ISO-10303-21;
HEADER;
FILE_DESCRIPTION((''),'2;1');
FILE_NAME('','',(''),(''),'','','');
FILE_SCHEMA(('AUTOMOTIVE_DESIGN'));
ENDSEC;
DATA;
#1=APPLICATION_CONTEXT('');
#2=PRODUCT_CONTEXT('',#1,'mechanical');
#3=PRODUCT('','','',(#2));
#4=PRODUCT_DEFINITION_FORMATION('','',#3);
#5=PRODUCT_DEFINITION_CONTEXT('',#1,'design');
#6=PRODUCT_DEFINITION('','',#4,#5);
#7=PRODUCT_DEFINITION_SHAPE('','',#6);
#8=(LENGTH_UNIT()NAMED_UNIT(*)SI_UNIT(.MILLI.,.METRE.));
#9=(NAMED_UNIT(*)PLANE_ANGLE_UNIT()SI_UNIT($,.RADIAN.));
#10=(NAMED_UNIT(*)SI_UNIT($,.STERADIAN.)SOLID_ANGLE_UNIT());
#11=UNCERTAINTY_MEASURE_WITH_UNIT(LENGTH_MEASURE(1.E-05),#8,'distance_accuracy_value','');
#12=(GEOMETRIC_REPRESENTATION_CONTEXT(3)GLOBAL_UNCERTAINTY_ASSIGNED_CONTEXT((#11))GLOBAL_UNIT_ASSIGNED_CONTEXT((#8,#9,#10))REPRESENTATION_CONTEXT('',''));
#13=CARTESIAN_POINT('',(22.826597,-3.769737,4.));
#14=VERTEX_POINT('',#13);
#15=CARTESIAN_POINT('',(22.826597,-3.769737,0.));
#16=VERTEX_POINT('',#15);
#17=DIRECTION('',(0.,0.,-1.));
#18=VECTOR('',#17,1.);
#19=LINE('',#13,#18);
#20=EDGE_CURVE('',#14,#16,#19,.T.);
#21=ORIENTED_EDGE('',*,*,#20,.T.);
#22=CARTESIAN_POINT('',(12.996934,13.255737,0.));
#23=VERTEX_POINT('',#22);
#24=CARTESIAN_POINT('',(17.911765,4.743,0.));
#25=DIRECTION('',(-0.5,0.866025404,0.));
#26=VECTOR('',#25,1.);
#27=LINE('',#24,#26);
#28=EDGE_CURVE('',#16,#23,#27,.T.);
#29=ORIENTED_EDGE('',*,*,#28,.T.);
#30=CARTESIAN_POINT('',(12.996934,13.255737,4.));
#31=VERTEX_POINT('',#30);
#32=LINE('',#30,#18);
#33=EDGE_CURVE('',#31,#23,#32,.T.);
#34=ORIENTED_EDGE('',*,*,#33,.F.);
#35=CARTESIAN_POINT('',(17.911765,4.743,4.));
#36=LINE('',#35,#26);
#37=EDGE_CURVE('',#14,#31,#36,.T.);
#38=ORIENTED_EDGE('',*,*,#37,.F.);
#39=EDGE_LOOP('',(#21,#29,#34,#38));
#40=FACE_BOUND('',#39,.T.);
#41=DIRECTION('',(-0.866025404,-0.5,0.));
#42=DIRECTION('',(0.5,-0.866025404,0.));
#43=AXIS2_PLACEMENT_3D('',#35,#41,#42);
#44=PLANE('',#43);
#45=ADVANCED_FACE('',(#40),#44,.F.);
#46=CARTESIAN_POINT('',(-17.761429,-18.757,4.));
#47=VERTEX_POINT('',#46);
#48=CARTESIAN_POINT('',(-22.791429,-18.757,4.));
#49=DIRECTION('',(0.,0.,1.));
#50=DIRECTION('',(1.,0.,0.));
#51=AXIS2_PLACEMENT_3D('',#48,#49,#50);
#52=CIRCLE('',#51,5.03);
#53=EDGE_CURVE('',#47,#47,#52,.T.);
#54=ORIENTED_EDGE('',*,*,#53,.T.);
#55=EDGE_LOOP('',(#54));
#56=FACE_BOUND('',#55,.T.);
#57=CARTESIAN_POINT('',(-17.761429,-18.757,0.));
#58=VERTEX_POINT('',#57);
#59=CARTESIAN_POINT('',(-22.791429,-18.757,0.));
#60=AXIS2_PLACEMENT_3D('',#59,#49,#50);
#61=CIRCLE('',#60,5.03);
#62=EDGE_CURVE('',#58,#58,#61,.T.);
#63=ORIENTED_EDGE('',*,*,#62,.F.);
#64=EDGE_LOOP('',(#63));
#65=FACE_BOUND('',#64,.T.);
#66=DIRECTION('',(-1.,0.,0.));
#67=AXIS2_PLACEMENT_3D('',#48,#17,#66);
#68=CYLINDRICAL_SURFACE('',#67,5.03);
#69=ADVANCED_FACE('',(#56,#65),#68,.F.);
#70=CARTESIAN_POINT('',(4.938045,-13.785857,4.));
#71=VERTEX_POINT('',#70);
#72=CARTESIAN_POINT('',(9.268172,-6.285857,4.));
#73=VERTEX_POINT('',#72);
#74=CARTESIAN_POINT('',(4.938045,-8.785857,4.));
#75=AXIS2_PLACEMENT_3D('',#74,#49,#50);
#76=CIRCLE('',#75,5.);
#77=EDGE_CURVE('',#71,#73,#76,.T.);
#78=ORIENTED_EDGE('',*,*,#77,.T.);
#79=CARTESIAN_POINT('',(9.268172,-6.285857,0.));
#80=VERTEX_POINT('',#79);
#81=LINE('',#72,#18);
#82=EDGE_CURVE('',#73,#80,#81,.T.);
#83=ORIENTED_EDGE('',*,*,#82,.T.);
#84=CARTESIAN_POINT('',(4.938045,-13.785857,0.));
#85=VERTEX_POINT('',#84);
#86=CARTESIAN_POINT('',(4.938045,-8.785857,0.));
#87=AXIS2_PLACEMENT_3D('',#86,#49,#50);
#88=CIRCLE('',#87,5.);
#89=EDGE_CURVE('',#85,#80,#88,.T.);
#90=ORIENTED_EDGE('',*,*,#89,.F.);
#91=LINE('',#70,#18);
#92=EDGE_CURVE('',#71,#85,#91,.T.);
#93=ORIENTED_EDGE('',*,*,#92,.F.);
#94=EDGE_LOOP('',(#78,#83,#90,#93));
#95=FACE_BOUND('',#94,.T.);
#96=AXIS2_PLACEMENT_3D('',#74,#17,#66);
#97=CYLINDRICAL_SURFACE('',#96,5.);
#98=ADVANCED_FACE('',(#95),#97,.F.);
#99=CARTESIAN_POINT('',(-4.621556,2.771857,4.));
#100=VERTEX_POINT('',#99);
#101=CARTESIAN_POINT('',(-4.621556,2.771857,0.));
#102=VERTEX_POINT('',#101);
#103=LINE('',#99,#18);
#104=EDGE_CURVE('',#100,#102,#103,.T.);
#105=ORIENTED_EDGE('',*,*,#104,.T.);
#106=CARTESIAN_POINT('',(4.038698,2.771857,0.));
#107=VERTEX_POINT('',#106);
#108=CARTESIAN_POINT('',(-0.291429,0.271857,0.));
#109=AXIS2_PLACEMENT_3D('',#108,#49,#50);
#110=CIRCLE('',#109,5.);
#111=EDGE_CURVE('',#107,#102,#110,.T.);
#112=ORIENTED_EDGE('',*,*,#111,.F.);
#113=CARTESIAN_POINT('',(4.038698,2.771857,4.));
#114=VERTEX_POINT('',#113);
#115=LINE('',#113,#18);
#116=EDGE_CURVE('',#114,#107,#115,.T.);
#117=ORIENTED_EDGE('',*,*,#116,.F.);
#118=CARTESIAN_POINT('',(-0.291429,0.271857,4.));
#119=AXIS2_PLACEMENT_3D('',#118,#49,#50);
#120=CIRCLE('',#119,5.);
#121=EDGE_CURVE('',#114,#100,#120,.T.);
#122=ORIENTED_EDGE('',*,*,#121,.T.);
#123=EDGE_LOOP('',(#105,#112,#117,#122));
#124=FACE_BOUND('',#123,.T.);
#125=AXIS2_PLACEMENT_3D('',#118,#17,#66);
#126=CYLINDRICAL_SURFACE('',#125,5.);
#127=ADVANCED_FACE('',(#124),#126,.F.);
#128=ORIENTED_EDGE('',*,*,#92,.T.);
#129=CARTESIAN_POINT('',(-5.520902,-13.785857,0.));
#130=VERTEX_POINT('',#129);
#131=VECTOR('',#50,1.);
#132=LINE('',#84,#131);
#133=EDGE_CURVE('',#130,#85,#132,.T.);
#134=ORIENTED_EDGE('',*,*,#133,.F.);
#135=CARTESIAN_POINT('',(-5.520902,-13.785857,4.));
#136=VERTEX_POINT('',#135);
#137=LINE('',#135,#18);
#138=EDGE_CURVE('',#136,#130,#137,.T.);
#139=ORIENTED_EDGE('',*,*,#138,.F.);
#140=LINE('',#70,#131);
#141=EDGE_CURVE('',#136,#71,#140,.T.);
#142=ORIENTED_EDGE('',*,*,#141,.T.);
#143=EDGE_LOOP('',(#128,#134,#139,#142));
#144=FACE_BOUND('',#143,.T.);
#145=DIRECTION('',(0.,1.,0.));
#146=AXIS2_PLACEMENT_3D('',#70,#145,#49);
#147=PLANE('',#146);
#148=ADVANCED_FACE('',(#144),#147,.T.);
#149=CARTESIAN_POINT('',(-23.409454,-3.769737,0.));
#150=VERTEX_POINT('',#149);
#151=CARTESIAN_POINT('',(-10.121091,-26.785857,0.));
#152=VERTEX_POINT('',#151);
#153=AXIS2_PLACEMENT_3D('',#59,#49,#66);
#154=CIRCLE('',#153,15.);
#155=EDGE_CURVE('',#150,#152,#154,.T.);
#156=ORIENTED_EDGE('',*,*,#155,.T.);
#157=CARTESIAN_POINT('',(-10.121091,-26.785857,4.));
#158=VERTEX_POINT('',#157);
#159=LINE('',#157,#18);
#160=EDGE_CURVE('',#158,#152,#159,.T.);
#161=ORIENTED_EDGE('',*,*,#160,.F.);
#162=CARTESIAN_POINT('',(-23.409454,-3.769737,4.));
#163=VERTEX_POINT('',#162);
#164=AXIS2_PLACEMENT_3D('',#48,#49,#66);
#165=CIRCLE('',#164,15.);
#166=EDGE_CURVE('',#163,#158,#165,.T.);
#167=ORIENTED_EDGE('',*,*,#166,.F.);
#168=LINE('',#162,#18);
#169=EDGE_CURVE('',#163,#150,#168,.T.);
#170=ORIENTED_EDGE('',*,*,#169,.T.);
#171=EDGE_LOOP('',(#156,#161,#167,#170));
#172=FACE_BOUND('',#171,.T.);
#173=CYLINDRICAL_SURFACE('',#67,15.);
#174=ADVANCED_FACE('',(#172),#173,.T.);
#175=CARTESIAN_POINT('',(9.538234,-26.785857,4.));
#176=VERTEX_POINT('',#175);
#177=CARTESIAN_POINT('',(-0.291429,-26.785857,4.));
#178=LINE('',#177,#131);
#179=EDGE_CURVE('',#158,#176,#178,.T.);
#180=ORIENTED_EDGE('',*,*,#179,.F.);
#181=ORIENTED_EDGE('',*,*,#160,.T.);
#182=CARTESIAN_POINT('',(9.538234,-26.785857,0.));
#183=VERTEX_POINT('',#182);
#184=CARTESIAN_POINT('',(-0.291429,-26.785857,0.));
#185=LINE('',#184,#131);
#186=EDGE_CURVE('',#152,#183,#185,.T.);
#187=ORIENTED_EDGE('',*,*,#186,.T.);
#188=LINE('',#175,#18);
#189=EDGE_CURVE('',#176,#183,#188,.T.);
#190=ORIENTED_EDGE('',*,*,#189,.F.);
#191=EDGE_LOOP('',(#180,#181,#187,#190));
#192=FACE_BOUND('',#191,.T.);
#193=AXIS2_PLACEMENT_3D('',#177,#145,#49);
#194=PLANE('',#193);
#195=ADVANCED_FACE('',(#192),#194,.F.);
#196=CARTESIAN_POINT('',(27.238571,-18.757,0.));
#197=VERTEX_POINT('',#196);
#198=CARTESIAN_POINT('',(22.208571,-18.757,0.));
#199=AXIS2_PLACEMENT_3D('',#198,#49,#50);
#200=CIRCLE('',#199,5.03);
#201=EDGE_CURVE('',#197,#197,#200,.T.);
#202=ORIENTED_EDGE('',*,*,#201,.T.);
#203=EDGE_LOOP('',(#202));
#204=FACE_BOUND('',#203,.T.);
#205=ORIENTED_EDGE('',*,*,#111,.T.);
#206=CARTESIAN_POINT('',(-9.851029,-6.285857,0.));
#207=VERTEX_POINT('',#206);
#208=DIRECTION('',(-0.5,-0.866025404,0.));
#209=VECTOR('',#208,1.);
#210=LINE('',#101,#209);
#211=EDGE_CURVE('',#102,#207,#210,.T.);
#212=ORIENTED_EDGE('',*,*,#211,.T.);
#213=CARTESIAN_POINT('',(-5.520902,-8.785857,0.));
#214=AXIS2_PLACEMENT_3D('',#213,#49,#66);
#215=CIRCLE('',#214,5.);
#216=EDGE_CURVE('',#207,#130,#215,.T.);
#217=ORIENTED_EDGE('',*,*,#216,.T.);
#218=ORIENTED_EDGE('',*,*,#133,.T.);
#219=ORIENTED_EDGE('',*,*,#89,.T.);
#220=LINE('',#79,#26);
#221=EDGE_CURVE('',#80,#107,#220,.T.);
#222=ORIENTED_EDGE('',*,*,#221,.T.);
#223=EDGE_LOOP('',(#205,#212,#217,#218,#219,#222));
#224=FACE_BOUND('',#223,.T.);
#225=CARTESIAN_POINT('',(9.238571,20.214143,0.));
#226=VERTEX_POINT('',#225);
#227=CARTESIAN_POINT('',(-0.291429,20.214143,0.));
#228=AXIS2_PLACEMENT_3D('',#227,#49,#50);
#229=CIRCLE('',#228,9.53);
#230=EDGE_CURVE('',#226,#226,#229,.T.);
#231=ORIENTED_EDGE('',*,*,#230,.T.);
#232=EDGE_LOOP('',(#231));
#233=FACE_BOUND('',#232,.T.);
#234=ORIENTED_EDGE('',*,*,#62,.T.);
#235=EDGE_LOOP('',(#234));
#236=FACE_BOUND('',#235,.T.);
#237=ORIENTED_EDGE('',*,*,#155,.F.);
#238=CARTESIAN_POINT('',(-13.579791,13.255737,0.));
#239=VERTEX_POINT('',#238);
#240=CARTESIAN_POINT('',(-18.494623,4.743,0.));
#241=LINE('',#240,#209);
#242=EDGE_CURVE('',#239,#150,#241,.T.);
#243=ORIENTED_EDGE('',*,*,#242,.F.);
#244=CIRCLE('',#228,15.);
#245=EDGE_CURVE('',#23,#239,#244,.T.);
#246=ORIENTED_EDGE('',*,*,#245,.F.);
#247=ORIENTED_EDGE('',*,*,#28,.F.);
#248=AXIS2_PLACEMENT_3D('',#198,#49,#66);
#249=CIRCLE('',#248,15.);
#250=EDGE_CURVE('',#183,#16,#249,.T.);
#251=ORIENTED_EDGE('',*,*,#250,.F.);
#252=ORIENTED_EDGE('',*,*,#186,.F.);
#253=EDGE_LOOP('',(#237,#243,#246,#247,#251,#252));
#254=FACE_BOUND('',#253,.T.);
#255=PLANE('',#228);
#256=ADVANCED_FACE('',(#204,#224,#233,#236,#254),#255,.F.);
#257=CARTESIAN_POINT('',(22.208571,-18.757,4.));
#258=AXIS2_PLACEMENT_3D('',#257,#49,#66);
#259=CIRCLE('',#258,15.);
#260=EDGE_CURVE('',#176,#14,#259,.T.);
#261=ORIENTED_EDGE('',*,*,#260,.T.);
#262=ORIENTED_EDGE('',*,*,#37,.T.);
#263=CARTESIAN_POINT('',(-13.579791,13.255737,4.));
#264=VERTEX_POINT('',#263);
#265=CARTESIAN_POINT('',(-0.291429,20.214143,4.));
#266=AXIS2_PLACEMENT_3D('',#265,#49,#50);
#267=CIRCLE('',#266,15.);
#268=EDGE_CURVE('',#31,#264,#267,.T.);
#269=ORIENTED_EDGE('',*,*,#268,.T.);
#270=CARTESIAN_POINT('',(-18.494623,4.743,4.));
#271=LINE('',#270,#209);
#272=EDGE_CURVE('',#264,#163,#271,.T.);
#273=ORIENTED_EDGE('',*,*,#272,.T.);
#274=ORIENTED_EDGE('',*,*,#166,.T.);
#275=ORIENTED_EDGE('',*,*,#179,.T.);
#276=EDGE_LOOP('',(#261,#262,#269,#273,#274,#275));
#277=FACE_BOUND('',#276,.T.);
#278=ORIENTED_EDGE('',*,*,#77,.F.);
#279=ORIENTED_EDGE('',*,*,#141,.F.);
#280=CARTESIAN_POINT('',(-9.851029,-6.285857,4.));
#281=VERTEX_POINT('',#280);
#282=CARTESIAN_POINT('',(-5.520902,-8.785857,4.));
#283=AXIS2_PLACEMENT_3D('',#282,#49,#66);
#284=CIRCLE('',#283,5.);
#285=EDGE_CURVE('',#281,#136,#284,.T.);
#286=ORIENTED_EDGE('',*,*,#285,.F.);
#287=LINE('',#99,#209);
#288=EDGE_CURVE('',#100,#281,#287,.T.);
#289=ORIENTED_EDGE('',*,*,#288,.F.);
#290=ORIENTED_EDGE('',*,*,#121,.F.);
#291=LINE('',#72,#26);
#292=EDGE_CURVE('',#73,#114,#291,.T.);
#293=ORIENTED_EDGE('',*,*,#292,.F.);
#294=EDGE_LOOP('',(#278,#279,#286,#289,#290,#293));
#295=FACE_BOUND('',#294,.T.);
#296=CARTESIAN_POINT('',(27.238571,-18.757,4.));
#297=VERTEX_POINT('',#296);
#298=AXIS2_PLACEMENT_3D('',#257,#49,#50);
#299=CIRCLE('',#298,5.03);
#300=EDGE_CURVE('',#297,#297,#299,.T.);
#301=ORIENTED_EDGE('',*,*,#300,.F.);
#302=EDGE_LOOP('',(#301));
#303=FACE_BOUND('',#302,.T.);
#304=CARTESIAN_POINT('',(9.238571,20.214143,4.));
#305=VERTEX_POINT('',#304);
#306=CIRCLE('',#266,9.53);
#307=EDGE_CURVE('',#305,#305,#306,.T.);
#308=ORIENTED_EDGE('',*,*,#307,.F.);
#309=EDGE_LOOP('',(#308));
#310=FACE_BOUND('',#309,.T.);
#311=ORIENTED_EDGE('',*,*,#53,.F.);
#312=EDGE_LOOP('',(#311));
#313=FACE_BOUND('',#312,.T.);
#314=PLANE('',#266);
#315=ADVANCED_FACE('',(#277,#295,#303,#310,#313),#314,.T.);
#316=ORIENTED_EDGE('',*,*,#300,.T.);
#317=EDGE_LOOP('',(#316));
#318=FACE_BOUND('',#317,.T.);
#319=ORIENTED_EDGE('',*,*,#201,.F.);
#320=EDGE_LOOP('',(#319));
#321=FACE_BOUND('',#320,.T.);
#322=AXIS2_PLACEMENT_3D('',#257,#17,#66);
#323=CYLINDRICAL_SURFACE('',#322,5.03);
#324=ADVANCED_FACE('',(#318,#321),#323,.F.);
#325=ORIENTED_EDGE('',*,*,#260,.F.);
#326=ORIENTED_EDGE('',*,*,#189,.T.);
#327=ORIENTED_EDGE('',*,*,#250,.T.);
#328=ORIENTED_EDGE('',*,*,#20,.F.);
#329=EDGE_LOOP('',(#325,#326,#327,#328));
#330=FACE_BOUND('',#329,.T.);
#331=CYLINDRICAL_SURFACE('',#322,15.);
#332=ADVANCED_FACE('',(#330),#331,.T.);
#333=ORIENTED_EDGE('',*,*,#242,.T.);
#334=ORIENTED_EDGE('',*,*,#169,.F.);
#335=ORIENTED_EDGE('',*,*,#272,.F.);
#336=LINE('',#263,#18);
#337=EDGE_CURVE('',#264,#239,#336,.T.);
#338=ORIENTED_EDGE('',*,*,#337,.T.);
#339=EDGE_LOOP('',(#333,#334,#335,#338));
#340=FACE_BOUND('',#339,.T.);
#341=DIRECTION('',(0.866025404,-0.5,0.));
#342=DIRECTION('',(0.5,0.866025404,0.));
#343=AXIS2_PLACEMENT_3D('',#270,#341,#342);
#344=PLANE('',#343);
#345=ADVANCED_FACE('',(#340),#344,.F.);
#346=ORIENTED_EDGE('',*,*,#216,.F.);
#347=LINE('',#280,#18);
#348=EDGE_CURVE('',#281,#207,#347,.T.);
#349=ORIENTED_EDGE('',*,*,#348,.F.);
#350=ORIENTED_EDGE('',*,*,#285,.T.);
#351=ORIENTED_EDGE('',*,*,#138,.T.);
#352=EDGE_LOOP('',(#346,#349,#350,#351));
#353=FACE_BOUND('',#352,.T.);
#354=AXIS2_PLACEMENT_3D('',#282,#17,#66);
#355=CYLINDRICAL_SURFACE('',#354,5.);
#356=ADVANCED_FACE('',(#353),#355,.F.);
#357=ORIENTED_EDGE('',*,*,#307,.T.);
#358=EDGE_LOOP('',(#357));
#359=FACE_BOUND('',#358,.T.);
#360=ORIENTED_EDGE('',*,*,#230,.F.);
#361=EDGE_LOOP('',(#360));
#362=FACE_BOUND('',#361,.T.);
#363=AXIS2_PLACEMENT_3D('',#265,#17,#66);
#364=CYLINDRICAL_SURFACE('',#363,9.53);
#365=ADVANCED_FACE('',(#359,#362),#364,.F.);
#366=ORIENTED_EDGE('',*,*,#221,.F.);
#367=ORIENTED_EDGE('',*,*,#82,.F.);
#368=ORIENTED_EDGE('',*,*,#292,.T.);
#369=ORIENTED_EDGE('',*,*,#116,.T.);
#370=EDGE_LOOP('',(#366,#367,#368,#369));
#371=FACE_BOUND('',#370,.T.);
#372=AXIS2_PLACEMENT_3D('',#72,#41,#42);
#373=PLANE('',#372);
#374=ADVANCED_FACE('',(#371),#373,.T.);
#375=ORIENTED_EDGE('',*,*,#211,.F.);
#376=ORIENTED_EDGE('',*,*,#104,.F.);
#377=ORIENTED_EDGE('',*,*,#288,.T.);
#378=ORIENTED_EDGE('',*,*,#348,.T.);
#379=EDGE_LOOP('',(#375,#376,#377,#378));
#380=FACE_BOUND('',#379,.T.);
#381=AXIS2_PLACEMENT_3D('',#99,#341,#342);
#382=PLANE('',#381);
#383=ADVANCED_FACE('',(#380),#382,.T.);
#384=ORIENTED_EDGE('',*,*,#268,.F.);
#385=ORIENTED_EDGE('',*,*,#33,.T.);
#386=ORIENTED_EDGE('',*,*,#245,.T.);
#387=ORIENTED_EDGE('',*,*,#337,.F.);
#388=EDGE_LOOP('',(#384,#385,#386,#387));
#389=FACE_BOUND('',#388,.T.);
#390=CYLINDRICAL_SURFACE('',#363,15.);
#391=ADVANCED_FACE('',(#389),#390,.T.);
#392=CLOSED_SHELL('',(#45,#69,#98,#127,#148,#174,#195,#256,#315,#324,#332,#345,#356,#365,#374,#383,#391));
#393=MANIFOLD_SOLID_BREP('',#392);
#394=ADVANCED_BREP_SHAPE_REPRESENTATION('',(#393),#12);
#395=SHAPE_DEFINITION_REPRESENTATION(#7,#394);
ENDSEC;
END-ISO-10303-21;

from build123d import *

# Parameters (mm, degrees)
SKETCH_1_R      = 9.53
SKETCH_1_R_2    = 5.03
EXTRUDE_1_DEPTH = 4


with BuildPart() as part:
    # 草图1 → 凸台-拉伸1 (new body)
    with BuildSketch(Plane.XY):
        with BuildLine():
            Line((-18.494622549, 4.742999843), (-23.409453688, -3.769737399))
            ThreePointArc((-23.409453688, -3.769737399), (-35.781809628, -26.257000157), (-10.121090849, -26.785856986))
            Line((-10.121090849, -26.785856986), (-0.291428571, -26.785856986))
            Line((-0.291428571, -26.785856986), (9.538233706, -26.785856986))
            ThreePointArc((9.538233706, -26.785856986), (35.198952485, -26.257000157), (22.826596545, -3.769737399))
            Line((22.826596545, -3.769737399), (17.911765406, 4.742999843))
            Line((17.911765406, 4.742999843), (12.996934268, 13.255737086))
            ThreePointArc((12.996934268, 13.255737086), (-0.291428571, 35.214143014), (-13.579791411, 13.255737086))
            Line((-13.579791411, 13.255737086), (-18.494622549, 4.742999843))
        make_face()
        with Locations((-0.291428571, 20.214143014)):
            Circle(SKETCH_1_R, mode=Mode.SUBTRACT)
        with Locations((22.208571429, -18.757000157)):
            Circle(SKETCH_1_R_2, mode=Mode.SUBTRACT)
        with Locations((-22.791428571, -18.757000157)):
            Circle(SKETCH_1_R_2, mode=Mode.SUBTRACT)
        with BuildLine():
            Line((9.268171867, -6.285856986), (4.038698447, 2.771856673))
            ThreePointArc((4.038698447, 2.771856673), (-0.291428571, 5.271856673), (-4.62155559, 2.771856673))
            Line((-4.62155559, 2.771856673), (-9.85102901, -6.285856986))
            ThreePointArc((-9.85102901, -6.285856986), (-9.85102901, -11.285856986), (-5.520901991, -13.785856986))
            Line((-5.520901991, -13.785856986), (4.938044848, -13.785856986))
            ThreePointArc((4.938044848, -13.785856986), (9.268171867, -11.285856986), (9.268171867, -6.285856986))
        make_face(mode=Mode.SUBTRACT)
    extrude(amount=EXTRUDE_1_DEPTH)


solid = part.part
